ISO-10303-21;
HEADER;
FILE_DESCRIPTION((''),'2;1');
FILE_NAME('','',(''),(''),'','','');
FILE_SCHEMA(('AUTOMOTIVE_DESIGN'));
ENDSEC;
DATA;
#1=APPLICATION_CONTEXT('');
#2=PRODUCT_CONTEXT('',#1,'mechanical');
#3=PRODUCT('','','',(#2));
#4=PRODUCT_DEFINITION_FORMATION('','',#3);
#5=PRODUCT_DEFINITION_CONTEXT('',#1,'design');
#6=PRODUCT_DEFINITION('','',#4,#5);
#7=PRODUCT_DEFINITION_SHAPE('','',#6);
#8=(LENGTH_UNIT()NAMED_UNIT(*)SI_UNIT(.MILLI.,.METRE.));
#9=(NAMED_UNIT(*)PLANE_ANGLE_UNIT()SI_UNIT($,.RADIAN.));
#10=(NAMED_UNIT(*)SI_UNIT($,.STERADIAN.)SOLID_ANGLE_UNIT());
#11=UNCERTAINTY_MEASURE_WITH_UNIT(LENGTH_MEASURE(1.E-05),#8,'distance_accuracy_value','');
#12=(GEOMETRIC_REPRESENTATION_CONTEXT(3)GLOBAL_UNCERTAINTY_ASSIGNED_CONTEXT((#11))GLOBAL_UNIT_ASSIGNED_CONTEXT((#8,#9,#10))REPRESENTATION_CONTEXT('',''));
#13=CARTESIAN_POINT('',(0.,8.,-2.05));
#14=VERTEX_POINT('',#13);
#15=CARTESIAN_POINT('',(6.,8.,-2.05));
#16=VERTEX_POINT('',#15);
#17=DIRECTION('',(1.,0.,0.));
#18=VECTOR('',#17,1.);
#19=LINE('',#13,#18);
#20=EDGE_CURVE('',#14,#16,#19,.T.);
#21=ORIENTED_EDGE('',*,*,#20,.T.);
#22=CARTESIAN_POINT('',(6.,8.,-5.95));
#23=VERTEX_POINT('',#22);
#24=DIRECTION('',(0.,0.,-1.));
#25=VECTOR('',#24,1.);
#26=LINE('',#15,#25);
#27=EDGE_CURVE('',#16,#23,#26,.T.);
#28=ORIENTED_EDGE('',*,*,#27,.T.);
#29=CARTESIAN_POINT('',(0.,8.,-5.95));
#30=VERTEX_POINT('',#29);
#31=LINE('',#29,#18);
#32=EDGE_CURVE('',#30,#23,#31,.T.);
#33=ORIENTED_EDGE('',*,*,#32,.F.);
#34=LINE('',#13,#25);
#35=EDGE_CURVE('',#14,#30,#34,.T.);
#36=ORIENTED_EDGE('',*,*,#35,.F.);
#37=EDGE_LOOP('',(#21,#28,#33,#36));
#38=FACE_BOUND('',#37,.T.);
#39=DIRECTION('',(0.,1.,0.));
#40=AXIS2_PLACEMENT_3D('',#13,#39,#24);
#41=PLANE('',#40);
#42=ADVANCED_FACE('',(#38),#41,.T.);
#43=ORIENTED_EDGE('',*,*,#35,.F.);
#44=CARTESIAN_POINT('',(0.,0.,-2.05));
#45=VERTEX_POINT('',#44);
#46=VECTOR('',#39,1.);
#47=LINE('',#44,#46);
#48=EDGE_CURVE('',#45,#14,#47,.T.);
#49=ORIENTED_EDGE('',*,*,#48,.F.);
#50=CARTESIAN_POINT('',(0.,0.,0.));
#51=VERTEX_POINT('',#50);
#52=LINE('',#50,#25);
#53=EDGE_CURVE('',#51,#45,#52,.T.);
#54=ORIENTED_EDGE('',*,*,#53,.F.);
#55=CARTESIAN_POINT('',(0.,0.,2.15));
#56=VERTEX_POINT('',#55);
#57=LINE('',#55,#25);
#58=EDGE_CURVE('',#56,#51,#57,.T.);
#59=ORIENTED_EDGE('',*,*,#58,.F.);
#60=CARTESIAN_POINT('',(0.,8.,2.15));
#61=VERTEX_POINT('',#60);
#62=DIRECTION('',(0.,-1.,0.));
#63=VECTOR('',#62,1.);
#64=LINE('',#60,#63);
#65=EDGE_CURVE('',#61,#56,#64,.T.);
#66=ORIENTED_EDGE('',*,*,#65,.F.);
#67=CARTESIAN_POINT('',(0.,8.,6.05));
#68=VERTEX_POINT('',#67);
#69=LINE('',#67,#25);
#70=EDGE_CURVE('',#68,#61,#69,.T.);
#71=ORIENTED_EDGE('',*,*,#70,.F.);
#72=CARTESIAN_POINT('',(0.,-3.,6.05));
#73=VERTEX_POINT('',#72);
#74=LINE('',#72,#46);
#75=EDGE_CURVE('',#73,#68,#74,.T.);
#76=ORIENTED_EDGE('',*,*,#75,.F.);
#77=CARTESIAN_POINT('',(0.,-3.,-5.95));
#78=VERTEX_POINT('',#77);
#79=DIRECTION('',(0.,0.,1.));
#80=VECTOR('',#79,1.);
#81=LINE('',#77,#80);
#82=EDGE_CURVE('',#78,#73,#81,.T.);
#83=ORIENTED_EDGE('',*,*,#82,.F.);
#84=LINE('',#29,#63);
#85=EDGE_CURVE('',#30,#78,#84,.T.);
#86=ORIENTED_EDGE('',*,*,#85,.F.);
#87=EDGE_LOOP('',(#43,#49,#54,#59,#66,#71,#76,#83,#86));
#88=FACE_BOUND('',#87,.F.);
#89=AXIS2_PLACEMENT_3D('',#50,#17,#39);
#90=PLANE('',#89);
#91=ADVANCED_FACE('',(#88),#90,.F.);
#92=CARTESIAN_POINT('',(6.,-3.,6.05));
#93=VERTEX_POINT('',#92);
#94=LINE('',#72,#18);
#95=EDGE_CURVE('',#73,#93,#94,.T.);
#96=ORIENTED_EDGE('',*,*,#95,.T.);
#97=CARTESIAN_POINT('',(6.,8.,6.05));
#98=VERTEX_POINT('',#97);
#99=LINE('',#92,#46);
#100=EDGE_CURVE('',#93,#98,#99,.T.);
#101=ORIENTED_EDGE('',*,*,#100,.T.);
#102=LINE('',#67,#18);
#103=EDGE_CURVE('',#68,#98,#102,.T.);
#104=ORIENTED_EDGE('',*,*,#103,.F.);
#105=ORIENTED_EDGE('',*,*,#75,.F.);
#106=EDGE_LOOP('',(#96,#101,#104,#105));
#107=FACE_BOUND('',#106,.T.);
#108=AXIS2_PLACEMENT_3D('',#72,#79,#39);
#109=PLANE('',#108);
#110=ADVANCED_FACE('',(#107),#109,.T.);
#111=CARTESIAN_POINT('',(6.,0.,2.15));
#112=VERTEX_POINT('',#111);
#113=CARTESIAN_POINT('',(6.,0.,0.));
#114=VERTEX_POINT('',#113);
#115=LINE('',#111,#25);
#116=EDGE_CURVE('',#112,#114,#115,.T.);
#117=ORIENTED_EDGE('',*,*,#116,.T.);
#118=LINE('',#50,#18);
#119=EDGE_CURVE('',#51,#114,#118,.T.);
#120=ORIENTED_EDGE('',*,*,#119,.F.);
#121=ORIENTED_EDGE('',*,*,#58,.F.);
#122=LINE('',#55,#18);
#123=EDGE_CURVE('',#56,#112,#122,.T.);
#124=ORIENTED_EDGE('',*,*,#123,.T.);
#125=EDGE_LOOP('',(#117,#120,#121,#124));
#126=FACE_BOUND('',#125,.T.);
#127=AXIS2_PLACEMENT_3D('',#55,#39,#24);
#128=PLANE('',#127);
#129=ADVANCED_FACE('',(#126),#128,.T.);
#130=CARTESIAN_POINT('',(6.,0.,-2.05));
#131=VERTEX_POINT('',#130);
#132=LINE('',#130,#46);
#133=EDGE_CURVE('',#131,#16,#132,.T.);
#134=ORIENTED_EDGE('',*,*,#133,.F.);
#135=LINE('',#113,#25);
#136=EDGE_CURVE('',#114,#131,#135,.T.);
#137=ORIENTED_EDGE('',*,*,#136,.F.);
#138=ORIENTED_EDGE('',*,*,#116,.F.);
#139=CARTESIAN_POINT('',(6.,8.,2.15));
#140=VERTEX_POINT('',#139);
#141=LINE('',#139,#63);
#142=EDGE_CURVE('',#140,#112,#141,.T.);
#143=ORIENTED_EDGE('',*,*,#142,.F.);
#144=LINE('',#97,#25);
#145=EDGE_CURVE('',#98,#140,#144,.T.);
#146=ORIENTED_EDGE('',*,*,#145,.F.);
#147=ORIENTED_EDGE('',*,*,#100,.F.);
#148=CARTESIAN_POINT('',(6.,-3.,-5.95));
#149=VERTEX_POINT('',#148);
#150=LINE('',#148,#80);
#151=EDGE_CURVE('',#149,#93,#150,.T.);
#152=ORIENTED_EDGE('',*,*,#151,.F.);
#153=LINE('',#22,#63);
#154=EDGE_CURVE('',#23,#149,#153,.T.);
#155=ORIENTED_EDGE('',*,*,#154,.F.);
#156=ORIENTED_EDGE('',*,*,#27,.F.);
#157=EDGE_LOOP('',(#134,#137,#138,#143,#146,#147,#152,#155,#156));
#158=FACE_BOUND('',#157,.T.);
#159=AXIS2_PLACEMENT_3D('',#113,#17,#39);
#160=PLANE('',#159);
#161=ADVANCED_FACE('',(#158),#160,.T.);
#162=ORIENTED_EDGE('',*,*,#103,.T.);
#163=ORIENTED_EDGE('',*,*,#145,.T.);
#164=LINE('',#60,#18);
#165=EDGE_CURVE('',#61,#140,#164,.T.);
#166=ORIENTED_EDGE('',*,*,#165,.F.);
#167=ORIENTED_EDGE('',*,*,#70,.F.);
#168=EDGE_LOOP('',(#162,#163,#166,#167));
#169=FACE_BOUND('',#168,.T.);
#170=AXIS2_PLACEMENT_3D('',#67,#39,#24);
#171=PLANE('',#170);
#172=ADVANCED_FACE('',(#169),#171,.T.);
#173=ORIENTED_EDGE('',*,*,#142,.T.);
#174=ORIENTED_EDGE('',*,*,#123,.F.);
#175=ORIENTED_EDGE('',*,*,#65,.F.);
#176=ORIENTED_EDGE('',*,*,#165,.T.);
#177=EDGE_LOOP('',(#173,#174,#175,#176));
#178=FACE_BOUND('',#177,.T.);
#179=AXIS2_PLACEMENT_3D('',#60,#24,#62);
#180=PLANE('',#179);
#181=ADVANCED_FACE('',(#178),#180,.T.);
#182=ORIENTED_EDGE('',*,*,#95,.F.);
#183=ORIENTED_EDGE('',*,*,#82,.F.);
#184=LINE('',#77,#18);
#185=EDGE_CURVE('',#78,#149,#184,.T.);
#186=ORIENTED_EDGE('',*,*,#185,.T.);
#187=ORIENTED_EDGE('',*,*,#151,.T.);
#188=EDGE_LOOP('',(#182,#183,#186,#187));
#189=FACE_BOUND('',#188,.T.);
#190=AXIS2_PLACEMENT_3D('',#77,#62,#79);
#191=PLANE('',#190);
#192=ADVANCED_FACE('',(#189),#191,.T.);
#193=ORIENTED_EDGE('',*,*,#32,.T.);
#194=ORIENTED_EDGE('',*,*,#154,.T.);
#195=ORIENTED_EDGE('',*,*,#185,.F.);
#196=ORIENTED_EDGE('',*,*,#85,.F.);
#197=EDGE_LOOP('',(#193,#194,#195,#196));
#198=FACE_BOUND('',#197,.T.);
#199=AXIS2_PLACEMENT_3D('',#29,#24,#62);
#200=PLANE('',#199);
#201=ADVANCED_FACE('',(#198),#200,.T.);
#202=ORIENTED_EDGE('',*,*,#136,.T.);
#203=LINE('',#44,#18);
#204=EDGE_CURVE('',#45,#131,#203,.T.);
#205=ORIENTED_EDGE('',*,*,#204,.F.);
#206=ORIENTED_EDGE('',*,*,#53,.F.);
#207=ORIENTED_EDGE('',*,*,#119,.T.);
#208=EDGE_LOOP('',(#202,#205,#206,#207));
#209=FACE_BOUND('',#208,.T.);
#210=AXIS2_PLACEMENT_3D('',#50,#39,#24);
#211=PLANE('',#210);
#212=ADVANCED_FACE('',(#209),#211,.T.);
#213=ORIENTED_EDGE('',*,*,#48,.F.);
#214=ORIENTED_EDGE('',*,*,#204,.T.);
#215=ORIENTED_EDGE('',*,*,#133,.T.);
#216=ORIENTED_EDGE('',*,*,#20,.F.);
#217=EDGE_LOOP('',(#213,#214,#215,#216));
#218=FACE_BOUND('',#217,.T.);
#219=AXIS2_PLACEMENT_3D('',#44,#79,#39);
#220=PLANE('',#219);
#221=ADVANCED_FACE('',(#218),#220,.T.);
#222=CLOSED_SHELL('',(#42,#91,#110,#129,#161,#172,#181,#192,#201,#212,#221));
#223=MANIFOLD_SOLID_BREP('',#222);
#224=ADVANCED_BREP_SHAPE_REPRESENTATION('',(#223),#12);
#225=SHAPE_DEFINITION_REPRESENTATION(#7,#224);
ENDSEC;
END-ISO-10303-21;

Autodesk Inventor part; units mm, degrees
ref_plane "YZ Plane" through (0, 0, 0) normal (1, 0, 0) x (0, 1, 0)
ref_plane "XZ Plane" through (0, 0, 0) normal (0, 1, 0) x (-1, 0, 0)
ref_plane "XY Plane" through (0, 0, 0) normal (0, 0, 1) x (1, 0, 0)
sketch "Boceto1" plane through (0, 0, 0) normal (1, 0, 0) x (0, 1, 0)
  line L0 (0, 0) -> (0, -2.05)
  line L1 (0, -2.05) -> (8, -2.05)
  line L2 (8, -2.05) -> (8, -5.95)
  line L3 (8, -5.95) -> (-3, -5.95)
  line L4 (-3, -5.95) -> (-3, 6.05)
  line L5 (-3, 6.05) -> (8, 6.05)
  line L6 (8, 6.05) -> (8, 2.15)
  line L7 (8, 2.15) -> (0, 2.15)
  line L8 (0, 2.15) -> (0, 0)
  dimension "d0" = 2.05
  dimension "d1" = 8
  dimension "d2" = 3.9
  dimension "d3" = 11
  dimension "d4" = 12
  dimension "d5" = 11
  dimension "d6" = 3.9
extrude "Extrusión1" add sketch "Boceto1" along normal blind 6
properties part number "Encoder"
